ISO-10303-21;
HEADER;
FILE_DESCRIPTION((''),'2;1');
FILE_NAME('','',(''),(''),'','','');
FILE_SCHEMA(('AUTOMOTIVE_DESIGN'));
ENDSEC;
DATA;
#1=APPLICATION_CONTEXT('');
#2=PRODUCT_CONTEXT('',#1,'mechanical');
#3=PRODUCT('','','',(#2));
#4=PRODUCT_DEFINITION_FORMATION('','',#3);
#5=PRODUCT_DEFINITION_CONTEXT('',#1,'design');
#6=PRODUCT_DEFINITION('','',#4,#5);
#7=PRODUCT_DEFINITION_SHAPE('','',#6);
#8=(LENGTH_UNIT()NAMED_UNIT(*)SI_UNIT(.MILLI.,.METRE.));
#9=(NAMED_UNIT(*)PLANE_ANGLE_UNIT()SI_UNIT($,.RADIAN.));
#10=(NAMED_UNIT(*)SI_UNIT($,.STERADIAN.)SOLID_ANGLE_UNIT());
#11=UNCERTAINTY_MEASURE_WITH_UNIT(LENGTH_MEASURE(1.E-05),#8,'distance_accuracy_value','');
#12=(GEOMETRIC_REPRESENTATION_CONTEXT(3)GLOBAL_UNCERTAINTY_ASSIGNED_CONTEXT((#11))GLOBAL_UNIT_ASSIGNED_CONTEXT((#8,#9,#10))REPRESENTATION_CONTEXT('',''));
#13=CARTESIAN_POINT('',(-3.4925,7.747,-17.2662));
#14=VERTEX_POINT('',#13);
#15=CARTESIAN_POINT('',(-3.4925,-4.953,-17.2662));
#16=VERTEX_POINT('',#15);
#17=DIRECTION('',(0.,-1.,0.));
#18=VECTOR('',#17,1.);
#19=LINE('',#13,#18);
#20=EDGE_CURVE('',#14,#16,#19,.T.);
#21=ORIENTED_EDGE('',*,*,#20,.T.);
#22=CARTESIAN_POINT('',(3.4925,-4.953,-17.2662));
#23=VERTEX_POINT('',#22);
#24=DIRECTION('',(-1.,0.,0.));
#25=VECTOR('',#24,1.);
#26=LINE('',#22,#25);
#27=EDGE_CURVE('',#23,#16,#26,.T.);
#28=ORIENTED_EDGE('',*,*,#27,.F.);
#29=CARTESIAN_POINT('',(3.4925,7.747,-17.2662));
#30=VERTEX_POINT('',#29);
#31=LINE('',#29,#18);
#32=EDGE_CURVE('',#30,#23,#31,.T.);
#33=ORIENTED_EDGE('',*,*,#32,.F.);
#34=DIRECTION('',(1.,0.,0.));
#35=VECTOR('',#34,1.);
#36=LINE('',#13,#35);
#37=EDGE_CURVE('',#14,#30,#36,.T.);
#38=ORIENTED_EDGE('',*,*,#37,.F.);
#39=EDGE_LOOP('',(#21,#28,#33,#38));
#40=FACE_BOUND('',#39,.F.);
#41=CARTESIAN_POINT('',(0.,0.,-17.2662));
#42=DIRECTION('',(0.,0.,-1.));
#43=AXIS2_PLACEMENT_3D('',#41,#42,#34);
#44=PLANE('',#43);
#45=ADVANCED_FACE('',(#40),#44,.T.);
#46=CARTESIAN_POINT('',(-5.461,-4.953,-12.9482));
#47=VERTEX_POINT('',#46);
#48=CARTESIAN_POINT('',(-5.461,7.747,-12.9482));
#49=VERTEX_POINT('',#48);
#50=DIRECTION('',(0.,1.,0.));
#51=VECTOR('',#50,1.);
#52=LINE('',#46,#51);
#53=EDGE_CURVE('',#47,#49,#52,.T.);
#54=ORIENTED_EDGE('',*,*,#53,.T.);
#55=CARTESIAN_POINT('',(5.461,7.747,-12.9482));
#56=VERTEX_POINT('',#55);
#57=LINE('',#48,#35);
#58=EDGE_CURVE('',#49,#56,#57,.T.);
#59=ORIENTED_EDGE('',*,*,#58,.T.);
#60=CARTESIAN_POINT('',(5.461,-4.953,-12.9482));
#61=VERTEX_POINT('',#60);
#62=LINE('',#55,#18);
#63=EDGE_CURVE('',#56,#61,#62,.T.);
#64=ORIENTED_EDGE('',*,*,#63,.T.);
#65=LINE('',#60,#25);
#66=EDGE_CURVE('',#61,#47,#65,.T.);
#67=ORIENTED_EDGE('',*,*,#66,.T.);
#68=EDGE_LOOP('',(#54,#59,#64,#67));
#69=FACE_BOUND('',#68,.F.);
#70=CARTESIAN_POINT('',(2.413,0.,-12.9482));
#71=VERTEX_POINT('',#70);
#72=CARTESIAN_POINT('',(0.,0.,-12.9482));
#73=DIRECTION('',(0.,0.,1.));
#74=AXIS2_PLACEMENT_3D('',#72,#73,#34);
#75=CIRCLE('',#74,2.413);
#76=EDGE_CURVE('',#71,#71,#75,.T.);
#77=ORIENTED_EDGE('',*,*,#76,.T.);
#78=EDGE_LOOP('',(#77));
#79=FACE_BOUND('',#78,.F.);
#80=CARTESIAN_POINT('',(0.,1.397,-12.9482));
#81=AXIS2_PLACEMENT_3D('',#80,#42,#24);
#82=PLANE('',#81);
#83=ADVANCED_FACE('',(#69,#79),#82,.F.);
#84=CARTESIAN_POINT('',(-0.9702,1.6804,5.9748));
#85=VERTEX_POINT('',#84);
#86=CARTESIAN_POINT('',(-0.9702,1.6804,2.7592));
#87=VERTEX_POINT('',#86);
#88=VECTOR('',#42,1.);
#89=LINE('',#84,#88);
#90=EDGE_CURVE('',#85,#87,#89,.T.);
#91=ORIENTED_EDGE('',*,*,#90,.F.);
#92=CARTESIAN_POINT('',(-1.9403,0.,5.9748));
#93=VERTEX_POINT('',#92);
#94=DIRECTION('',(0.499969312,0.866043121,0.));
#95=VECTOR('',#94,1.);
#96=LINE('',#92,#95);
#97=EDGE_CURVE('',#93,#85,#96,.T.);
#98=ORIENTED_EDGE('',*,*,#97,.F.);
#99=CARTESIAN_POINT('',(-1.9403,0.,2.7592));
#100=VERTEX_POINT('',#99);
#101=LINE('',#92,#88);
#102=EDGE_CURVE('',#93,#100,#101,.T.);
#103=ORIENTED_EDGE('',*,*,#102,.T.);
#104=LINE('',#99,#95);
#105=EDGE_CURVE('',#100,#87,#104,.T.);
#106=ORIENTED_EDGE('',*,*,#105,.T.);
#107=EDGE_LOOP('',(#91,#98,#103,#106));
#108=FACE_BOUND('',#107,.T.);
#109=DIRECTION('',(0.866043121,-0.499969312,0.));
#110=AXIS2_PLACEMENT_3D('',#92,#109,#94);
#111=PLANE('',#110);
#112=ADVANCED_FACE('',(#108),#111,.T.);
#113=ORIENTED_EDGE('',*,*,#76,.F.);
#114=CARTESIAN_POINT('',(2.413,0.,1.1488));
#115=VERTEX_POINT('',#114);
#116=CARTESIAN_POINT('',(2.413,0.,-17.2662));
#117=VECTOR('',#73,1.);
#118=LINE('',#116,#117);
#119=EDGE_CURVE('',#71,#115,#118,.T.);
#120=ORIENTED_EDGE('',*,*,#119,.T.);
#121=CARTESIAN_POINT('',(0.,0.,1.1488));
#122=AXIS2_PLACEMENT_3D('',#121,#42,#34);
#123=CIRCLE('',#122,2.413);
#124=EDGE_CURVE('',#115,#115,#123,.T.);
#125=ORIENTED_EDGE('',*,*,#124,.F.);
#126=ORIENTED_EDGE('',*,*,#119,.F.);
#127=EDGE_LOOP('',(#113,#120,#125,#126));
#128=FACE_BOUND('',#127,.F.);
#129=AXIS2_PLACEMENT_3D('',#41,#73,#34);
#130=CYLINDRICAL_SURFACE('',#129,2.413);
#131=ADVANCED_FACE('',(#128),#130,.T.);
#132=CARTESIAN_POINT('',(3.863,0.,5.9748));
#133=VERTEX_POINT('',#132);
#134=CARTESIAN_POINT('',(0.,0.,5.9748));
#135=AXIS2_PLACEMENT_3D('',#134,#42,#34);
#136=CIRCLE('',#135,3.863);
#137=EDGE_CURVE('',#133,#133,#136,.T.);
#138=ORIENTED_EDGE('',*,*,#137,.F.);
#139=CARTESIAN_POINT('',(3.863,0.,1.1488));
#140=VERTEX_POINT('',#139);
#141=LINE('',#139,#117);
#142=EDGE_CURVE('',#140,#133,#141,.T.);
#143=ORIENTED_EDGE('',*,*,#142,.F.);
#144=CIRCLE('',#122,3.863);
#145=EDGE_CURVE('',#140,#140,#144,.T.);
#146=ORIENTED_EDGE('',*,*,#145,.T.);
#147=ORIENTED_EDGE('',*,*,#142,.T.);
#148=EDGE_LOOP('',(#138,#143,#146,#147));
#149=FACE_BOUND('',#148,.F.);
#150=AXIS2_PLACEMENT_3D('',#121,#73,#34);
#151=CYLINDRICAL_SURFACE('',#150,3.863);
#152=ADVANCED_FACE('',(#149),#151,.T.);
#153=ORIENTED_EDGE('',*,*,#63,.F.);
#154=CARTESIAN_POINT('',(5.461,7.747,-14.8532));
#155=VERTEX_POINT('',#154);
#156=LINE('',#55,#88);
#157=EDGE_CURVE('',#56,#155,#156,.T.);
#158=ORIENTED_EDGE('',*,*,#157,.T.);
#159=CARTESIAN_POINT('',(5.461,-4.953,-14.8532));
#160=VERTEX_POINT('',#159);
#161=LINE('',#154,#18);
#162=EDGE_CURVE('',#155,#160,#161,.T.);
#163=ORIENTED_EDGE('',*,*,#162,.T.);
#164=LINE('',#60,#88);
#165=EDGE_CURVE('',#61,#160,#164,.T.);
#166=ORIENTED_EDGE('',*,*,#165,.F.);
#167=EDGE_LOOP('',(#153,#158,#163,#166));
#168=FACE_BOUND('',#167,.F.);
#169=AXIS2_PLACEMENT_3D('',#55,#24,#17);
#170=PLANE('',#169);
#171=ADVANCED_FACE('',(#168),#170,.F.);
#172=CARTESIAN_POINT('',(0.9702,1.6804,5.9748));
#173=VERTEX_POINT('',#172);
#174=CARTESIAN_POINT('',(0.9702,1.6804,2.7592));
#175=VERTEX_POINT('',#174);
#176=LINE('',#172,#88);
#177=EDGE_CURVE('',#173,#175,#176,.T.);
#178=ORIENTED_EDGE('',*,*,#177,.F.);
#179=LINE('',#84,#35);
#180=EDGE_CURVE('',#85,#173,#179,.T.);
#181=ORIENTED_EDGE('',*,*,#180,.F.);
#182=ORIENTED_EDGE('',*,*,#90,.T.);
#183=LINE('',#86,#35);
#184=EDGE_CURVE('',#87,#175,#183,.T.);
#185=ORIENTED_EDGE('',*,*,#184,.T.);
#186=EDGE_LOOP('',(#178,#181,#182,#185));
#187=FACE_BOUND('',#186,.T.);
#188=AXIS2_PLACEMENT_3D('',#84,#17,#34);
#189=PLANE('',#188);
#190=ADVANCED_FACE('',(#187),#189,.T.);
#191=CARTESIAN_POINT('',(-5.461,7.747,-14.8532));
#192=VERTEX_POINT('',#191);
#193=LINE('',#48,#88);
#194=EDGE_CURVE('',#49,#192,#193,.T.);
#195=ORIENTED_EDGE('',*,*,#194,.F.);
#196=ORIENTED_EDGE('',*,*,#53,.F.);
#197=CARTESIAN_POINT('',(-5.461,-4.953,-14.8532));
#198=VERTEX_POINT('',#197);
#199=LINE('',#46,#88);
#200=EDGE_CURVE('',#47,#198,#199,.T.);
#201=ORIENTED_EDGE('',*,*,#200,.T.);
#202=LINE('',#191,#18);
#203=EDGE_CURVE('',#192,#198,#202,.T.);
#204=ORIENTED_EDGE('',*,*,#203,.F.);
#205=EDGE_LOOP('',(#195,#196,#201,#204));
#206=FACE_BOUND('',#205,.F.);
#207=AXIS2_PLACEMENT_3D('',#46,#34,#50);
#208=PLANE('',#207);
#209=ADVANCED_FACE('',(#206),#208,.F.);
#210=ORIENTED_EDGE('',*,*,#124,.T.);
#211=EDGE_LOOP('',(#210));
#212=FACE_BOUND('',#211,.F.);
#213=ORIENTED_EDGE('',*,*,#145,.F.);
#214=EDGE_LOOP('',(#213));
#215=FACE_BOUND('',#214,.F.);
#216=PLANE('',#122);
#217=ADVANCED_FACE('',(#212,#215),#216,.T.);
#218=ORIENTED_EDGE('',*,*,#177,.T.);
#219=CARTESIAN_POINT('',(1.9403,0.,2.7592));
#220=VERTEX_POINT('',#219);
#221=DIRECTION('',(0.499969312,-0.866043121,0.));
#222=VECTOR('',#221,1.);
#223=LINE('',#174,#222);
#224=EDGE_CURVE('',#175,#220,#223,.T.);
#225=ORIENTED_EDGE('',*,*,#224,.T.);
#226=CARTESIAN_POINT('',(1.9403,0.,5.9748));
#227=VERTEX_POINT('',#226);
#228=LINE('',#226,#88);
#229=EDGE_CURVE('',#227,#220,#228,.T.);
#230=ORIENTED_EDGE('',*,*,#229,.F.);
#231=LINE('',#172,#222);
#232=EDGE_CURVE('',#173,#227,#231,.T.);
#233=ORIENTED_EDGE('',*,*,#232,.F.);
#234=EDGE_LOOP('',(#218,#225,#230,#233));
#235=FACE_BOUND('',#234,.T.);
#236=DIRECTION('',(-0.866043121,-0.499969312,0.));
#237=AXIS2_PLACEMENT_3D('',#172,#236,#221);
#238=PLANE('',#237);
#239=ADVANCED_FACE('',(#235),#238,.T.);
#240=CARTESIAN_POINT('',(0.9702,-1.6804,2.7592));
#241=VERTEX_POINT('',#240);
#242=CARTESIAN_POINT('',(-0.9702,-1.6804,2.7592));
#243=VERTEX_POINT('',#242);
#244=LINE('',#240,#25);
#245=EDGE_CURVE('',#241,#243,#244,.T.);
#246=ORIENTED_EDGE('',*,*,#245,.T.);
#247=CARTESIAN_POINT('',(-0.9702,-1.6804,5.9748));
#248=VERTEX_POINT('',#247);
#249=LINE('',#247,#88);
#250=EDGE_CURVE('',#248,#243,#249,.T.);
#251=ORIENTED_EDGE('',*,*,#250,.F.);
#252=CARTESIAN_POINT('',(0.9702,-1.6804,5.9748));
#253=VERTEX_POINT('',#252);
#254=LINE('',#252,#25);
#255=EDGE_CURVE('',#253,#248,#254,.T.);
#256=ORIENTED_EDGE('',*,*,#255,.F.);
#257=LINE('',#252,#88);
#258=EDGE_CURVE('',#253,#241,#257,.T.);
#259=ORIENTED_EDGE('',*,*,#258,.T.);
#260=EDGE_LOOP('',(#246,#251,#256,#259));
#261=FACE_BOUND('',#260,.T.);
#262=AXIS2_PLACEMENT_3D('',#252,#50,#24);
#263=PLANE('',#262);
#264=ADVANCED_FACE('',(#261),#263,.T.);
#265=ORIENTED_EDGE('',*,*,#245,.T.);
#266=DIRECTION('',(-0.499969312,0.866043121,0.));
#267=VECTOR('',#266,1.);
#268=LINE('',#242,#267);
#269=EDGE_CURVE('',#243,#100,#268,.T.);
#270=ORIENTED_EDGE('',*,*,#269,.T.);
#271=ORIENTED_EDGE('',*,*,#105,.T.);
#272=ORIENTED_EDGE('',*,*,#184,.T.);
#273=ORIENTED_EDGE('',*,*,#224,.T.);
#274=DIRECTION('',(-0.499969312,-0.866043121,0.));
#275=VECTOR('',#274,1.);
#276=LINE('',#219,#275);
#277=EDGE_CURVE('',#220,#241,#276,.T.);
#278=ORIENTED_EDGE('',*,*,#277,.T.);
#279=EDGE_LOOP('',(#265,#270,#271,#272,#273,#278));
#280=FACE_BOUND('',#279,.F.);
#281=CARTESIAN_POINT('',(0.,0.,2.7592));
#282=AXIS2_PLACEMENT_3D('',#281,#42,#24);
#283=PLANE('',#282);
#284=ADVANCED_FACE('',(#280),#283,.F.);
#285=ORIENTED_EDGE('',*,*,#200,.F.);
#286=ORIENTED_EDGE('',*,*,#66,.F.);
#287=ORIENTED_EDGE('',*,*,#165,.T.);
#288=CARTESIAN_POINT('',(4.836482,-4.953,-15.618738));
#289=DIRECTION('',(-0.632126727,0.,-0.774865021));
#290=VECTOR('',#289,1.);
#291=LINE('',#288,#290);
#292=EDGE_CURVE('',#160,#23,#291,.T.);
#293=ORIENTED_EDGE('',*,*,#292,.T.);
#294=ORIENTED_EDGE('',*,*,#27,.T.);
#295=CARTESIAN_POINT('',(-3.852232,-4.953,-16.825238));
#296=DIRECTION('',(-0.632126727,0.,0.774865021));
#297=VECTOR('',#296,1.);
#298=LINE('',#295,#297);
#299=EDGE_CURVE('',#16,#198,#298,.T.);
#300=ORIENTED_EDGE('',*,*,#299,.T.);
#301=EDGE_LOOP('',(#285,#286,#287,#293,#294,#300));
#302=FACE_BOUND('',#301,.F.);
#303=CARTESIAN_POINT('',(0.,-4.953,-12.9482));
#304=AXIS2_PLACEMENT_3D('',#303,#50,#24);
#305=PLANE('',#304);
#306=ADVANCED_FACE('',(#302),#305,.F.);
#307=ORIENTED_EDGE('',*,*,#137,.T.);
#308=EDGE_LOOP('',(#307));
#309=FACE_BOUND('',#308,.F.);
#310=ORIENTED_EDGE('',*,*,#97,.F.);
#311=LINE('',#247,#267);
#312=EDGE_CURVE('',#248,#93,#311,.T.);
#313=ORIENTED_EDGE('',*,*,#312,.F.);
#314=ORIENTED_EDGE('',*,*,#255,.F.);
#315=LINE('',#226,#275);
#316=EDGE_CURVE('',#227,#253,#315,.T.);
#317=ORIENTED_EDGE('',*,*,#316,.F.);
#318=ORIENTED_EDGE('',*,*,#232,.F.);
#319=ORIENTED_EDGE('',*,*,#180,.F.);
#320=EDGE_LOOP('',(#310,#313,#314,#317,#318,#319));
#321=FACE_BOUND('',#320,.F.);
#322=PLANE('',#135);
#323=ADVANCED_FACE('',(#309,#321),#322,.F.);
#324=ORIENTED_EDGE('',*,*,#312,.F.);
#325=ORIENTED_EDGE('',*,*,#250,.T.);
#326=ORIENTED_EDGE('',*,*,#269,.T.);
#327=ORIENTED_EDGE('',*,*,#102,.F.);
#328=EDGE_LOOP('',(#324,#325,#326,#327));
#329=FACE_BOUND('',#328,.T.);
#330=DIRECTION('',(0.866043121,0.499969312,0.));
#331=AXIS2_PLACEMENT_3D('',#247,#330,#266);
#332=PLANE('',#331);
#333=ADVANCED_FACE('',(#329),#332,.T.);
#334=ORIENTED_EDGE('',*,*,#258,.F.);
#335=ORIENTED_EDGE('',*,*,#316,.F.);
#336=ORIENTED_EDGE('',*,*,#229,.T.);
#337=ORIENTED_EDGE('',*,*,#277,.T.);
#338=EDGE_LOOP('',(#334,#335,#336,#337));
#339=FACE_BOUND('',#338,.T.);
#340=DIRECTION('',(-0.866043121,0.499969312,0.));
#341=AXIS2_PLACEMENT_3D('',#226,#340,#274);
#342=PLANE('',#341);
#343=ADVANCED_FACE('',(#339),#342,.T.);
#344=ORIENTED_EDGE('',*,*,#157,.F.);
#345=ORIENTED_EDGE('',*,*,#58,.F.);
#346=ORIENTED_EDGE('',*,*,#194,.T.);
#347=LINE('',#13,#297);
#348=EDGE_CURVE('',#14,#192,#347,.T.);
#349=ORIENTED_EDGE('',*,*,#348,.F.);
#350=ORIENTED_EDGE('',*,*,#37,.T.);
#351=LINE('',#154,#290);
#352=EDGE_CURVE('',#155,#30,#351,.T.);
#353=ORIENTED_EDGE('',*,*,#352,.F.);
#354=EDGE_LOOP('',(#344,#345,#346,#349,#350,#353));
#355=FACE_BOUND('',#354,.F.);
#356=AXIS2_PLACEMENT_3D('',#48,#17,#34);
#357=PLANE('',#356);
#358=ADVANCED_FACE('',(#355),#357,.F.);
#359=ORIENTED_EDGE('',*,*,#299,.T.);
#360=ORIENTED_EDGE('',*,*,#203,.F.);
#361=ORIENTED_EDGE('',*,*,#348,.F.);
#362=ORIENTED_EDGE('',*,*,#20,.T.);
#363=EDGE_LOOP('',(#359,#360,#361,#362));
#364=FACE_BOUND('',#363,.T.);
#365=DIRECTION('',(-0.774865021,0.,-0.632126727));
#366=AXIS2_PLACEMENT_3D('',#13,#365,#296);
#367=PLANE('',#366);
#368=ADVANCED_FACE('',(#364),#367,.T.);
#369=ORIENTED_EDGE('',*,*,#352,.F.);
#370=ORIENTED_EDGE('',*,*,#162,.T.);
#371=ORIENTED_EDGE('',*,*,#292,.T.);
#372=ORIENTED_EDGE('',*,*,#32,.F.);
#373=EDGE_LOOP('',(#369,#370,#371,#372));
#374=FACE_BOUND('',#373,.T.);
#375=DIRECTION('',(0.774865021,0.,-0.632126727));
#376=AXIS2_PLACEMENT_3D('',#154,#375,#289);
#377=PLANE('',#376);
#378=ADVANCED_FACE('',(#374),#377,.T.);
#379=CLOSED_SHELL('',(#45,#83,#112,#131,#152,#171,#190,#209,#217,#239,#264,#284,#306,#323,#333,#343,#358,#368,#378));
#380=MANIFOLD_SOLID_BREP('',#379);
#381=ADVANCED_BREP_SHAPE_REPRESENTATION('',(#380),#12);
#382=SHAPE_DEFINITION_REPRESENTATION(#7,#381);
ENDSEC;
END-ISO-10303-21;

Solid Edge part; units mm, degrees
sketch "Sketch1" plane through (0, 0, 0) normal (0, -1, 0) x (1, 0, 0)
  line L0 (0, -17.2662) -> (2.413, -17.2662)
  line L1 (2.413, -17.2662) -> (2.413, 1.1488)
  line L2 (2.413, 1.1488) -> (3.863, 1.1488)
  line L3 (3.863, 1.1488) -> (3.863, 5.9748)
  line L4 (3.863, 5.9748) -> (0, 5.9748)
revolve "RevolvedProtrusion1" add sketch "Sketch1" angle 360 about axis through (0, 0, 5.9748) along (0, 0, -1)
sketch "Sketch2" plane through (0, 0, 5.9748) normal (0, 0, 1) x (1, 0, 0)
  line L0 (-1.9403, 0) -> (-0.9702, 1.6804)
  line L1 (-0.9702, 1.6804) -> (0.9702, 1.6804)
  line L2 (0.9702, 1.6804) -> (1.9403, 0)
  line L3 (1.9403, 0) -> (0.9702, -1.6804)
  line L4 (0.9702, -1.6804) -> (-0.9702, -1.6804)
  line L5 (-0.9702, -1.6804) -> (-1.9403, 0)
extrude "Cutout1" cut sketch "Sketch2" against normal blind 3.2156
sketch "Sketch3" plane through (0, 0, -12.9482) normal (0, 0, -1) x (0, -1, 0)
  line L0 (4.953, 0) -> (4.953, 5.461)
  line L1 (4.953, 5.461) -> (-7.747, 5.461)
  line L2 (-7.747, 5.461) -> (-7.747, -5.461)
  line L3 (-7.747, -5.461) -> (4.953, -5.461)
  line L4 (4.953, -5.461) -> (4.953, 0)
extrude "Protrusion1" add sketch "Sketch3" along normal up to vertex (4.318 mm away)
sketch "Sketch4" plane through (0, 7.747, -15.1072) normal (0, 1, 0) x (-1, 0, 0)
  line L0 (0, -2.159) -> (3.4925, -2.159)
  line L1 (3.4925, -2.159) -> (5.461, 0.254)
  line L2 (5.461, 0.254) -> (6.5845, 0.254)
  line L3 (6.5845, -3.7102) -> (6.5845, 0.254)
  line L4 (-7.3862, -3.7102) -> (6.5845, -3.7102)
  line L5 (-7.3862, 0.254) -> (-7.3862, -3.7102)
  line L6 (-5.461, 0.254) -> (-7.3862, 0.254)
  line L7 (-5.461, 0.254) -> (-3.4925, -2.159)
  line L8 (0, -2.159) -> (-3.4925, -2.159)
extrude "ExtrudedCutout_2" cut sketch "Sketch4" against normal blind 371.1855
